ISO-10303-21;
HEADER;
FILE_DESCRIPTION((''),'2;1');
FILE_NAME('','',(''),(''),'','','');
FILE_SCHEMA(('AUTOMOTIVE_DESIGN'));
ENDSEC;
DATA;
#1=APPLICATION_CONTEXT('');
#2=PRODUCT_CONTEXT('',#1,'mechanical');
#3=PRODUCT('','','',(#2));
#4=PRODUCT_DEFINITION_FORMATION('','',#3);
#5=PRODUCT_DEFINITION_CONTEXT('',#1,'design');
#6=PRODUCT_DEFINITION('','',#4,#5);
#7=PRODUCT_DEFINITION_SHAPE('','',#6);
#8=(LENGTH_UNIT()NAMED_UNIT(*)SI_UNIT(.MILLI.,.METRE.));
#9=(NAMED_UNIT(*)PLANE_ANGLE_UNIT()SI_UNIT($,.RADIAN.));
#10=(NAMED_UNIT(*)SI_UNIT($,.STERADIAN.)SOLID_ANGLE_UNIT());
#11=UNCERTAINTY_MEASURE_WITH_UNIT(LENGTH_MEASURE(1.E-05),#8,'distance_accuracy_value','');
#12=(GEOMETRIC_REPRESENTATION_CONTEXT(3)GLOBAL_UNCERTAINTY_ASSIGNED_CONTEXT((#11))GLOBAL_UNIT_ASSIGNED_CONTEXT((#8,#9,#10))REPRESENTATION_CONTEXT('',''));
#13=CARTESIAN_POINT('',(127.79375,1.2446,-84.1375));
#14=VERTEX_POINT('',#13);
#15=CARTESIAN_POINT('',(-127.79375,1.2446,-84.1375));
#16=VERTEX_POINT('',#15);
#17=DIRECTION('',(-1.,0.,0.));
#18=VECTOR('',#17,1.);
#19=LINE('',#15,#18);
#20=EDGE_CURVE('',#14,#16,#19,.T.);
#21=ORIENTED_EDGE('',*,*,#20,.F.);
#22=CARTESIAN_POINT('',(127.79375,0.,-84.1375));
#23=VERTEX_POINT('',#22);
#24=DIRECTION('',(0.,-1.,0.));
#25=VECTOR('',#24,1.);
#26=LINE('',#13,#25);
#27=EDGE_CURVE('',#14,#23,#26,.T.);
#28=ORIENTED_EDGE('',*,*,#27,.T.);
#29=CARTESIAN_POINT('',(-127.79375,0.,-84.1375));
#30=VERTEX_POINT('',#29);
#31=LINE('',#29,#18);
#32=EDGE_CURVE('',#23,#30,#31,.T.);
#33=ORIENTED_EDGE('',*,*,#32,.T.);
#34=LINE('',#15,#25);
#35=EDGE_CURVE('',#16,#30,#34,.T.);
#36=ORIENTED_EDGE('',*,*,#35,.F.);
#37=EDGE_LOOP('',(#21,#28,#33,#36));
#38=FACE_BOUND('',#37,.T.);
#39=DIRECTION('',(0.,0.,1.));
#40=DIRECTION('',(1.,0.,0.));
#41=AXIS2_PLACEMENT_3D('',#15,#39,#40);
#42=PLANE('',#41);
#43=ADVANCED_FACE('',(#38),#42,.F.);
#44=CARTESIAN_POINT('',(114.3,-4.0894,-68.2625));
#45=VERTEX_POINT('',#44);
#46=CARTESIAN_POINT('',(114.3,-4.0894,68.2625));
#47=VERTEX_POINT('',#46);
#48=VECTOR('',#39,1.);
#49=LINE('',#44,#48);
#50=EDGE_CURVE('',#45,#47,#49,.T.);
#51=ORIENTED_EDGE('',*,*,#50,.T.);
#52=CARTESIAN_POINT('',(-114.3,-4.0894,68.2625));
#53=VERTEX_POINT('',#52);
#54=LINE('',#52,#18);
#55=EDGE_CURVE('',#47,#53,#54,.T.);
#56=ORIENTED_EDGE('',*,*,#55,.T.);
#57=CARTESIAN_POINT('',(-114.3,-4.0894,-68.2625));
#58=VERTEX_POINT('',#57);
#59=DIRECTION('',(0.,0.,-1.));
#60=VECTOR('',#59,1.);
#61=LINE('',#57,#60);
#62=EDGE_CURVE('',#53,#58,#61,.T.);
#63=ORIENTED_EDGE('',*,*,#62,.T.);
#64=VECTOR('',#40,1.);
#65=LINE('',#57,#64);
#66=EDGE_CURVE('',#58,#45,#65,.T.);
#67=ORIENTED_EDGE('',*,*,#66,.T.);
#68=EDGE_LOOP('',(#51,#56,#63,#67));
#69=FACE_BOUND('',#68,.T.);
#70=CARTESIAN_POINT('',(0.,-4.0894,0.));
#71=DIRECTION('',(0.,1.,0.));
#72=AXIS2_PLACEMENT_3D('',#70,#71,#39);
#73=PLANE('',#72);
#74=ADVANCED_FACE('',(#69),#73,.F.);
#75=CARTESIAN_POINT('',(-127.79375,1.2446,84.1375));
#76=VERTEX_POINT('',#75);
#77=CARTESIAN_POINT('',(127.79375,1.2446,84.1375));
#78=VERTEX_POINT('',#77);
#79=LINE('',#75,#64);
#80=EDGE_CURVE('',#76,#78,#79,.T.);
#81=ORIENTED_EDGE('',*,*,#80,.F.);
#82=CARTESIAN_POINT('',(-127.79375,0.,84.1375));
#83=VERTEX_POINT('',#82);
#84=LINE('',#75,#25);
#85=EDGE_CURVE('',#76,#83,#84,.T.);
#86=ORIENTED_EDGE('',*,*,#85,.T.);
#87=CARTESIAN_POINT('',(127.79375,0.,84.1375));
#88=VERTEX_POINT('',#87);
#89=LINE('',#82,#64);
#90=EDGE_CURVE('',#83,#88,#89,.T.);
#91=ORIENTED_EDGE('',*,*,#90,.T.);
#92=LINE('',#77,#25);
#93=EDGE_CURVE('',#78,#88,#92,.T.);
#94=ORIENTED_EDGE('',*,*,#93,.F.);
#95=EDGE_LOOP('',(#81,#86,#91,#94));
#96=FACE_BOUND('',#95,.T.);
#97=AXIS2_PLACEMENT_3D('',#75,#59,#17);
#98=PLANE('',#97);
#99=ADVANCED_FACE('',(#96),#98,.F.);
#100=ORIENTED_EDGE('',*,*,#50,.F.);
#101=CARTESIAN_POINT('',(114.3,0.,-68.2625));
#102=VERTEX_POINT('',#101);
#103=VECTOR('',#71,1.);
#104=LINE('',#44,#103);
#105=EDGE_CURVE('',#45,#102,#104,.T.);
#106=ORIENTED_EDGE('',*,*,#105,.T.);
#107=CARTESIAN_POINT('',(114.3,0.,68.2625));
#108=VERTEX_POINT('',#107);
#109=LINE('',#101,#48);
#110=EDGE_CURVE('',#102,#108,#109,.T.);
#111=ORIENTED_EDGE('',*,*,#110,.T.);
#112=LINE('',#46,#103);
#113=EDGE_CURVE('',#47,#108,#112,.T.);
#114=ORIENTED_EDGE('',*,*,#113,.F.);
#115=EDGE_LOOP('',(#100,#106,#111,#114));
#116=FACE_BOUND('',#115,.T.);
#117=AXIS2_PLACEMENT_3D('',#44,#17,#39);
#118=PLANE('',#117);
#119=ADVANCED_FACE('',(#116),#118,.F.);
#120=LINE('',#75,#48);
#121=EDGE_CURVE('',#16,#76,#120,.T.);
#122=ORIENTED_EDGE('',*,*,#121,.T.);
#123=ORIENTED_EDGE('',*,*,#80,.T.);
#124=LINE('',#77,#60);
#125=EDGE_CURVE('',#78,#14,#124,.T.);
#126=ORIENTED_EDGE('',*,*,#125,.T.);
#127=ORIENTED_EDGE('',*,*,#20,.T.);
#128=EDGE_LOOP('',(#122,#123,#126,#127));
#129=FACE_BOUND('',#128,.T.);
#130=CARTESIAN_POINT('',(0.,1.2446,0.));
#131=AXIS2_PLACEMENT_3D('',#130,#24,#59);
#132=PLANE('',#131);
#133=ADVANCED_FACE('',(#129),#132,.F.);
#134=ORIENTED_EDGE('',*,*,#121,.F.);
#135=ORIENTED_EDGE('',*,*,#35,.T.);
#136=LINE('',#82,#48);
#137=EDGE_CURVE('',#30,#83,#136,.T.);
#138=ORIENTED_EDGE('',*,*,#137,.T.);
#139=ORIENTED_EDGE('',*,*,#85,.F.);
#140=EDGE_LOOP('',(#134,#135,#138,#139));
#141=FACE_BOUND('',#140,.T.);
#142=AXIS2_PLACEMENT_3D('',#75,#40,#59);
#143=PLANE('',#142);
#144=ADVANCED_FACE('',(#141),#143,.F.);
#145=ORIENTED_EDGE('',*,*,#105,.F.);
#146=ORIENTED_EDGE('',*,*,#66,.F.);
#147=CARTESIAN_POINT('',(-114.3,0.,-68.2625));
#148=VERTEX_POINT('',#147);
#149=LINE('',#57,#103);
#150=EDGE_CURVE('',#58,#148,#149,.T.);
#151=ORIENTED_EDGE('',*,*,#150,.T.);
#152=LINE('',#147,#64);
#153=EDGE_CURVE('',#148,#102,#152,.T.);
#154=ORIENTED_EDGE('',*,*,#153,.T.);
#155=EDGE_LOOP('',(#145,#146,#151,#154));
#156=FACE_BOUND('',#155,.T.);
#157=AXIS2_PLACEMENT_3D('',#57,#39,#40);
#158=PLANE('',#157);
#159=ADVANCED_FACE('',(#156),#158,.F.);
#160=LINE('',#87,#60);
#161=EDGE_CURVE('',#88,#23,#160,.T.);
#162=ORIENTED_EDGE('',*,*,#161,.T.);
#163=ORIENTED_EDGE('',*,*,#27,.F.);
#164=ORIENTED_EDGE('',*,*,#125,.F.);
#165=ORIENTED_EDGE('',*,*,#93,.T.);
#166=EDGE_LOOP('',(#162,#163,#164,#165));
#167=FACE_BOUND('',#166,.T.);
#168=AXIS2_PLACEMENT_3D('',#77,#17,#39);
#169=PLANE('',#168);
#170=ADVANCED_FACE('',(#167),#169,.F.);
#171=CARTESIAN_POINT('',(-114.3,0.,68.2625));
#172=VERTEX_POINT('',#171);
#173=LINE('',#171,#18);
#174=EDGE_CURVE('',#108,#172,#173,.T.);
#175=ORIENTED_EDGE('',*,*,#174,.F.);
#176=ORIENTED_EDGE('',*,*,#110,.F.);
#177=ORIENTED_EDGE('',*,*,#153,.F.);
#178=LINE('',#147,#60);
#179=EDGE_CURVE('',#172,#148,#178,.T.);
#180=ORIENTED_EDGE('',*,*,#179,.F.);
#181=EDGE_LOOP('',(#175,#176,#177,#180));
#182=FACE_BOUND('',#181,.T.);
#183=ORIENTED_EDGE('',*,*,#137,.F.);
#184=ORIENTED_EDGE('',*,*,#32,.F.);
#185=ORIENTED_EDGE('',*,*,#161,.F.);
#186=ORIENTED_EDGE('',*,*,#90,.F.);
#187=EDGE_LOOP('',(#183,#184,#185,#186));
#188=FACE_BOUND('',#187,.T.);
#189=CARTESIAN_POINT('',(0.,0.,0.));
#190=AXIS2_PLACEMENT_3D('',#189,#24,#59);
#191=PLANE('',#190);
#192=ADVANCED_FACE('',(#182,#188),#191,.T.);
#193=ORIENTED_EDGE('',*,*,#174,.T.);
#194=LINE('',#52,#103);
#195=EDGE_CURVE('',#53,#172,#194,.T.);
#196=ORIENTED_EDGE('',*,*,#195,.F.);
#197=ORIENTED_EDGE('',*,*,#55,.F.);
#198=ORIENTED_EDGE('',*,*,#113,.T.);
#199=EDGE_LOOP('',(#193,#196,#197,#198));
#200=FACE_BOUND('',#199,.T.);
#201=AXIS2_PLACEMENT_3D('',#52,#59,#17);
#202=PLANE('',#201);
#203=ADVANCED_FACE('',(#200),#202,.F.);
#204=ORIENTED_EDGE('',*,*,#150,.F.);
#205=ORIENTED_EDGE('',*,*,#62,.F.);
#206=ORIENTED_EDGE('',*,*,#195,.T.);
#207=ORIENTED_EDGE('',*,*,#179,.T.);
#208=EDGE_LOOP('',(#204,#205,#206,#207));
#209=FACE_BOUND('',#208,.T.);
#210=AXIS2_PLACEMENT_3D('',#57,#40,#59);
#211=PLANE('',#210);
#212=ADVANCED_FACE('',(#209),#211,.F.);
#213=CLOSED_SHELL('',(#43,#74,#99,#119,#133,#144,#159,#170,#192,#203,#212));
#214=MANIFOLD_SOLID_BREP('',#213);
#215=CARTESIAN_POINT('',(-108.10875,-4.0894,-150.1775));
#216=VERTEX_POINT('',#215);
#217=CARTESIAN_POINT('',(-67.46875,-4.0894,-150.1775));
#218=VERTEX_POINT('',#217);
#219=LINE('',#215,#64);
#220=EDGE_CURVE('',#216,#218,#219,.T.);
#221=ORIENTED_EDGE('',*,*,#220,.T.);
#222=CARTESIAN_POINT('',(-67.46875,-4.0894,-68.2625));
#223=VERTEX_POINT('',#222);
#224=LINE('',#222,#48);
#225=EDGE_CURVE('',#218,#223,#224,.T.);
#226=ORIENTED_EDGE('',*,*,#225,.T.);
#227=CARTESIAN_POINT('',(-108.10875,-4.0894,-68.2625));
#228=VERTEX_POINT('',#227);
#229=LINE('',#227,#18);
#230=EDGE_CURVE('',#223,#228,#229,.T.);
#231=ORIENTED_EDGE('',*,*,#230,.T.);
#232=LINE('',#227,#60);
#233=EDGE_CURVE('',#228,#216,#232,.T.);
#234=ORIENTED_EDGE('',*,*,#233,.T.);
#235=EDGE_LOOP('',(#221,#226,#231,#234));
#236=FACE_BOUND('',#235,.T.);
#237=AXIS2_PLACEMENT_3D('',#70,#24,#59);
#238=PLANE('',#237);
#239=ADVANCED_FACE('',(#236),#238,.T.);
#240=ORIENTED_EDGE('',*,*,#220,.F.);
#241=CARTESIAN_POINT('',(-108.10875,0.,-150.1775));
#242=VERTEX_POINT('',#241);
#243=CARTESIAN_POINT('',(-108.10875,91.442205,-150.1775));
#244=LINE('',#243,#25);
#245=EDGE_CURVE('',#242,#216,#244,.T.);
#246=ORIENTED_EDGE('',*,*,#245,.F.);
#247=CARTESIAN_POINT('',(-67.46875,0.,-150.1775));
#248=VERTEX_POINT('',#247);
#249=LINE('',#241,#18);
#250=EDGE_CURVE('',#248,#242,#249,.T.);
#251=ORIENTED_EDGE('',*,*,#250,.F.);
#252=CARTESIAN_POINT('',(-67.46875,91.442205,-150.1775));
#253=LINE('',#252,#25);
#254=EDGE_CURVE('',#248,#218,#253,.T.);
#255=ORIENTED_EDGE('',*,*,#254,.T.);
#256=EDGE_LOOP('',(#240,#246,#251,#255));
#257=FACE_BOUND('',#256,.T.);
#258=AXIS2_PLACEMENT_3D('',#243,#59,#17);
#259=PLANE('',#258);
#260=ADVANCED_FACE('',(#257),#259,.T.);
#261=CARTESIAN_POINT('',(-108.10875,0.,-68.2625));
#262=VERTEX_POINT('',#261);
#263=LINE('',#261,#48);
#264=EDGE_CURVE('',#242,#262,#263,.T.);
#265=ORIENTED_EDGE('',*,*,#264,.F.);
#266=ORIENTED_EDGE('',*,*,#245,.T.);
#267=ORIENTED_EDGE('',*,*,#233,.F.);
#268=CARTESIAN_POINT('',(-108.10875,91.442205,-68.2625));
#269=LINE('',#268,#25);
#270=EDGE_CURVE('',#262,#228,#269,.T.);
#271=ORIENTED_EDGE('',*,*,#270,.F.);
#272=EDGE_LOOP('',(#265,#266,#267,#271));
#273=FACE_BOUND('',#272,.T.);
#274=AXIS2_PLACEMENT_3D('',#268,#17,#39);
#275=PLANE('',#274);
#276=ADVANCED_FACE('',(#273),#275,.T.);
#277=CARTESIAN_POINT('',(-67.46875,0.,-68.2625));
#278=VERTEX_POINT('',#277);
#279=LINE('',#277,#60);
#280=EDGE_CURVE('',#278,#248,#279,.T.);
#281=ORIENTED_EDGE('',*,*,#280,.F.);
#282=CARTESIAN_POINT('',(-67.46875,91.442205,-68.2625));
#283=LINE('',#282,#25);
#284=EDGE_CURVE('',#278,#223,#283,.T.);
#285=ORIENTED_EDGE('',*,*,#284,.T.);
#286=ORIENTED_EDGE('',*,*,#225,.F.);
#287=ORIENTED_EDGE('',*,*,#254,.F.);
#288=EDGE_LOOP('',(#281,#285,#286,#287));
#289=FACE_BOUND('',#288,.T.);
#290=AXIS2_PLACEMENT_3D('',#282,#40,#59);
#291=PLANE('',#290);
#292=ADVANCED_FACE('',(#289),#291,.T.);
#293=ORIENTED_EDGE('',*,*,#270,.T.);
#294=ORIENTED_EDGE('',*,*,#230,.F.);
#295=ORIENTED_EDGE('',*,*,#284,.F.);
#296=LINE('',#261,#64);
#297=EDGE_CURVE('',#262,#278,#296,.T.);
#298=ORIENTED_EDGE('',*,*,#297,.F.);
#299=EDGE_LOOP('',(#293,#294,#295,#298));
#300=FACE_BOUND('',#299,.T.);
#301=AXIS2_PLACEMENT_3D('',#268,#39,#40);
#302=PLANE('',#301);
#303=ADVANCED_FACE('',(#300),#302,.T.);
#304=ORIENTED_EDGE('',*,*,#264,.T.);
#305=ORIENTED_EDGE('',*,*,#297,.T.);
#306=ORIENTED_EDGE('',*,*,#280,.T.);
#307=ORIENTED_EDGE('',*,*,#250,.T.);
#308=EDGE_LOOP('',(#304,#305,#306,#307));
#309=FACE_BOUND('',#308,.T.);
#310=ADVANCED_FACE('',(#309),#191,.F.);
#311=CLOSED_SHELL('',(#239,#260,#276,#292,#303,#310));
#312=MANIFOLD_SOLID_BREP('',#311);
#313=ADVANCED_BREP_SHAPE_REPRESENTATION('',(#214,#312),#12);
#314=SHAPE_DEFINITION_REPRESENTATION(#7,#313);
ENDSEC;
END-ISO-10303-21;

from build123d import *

# Parameters (mm, degrees)
SKETCH1_W           = 255.5875
SKETCH1_H           = 168.275
BOSS_EXTRUDE1_DEPTH = 1.2446
SKETCH2_W           = 228.6
SKETCH2_H           = 136.525
BOSS_EXTRUDE2_DEPTH = 4.0894
SKETCH3_W           = 40.64
SKETCH3_H           = 81.915
CABLE_DEPTH         = 4.0894


with BuildPart() as part:
    # Sketch1 → Boss-Extrude1 (new body)
    with BuildSketch(Plane(origin=(0, 0, 0), x_dir=(1, 0, 0), z_dir=(0, 1, 0))):
        Rectangle(SKETCH1_W, SKETCH1_H)
    extrude(amount=BOSS_EXTRUDE1_DEPTH)

    # Sketch2 → Boss-Extrude2 (add)
    with BuildSketch(Plane.XZ):
        Rectangle(SKETCH2_W, SKETCH2_H)
    extrude(amount=BOSS_EXTRUDE2_DEPTH)


with BuildPart() as body_2:
    # Sketch3 → Cable (new body)
    with BuildSketch(Plane.XZ.offset(4.0894)):
        with Locations((-87.78875, -109.22)):
            Rectangle(SKETCH3_W, SKETCH3_H)
    extrude(amount=-CABLE_DEPTH)


solid = Compound([part.part, body_2.part])
